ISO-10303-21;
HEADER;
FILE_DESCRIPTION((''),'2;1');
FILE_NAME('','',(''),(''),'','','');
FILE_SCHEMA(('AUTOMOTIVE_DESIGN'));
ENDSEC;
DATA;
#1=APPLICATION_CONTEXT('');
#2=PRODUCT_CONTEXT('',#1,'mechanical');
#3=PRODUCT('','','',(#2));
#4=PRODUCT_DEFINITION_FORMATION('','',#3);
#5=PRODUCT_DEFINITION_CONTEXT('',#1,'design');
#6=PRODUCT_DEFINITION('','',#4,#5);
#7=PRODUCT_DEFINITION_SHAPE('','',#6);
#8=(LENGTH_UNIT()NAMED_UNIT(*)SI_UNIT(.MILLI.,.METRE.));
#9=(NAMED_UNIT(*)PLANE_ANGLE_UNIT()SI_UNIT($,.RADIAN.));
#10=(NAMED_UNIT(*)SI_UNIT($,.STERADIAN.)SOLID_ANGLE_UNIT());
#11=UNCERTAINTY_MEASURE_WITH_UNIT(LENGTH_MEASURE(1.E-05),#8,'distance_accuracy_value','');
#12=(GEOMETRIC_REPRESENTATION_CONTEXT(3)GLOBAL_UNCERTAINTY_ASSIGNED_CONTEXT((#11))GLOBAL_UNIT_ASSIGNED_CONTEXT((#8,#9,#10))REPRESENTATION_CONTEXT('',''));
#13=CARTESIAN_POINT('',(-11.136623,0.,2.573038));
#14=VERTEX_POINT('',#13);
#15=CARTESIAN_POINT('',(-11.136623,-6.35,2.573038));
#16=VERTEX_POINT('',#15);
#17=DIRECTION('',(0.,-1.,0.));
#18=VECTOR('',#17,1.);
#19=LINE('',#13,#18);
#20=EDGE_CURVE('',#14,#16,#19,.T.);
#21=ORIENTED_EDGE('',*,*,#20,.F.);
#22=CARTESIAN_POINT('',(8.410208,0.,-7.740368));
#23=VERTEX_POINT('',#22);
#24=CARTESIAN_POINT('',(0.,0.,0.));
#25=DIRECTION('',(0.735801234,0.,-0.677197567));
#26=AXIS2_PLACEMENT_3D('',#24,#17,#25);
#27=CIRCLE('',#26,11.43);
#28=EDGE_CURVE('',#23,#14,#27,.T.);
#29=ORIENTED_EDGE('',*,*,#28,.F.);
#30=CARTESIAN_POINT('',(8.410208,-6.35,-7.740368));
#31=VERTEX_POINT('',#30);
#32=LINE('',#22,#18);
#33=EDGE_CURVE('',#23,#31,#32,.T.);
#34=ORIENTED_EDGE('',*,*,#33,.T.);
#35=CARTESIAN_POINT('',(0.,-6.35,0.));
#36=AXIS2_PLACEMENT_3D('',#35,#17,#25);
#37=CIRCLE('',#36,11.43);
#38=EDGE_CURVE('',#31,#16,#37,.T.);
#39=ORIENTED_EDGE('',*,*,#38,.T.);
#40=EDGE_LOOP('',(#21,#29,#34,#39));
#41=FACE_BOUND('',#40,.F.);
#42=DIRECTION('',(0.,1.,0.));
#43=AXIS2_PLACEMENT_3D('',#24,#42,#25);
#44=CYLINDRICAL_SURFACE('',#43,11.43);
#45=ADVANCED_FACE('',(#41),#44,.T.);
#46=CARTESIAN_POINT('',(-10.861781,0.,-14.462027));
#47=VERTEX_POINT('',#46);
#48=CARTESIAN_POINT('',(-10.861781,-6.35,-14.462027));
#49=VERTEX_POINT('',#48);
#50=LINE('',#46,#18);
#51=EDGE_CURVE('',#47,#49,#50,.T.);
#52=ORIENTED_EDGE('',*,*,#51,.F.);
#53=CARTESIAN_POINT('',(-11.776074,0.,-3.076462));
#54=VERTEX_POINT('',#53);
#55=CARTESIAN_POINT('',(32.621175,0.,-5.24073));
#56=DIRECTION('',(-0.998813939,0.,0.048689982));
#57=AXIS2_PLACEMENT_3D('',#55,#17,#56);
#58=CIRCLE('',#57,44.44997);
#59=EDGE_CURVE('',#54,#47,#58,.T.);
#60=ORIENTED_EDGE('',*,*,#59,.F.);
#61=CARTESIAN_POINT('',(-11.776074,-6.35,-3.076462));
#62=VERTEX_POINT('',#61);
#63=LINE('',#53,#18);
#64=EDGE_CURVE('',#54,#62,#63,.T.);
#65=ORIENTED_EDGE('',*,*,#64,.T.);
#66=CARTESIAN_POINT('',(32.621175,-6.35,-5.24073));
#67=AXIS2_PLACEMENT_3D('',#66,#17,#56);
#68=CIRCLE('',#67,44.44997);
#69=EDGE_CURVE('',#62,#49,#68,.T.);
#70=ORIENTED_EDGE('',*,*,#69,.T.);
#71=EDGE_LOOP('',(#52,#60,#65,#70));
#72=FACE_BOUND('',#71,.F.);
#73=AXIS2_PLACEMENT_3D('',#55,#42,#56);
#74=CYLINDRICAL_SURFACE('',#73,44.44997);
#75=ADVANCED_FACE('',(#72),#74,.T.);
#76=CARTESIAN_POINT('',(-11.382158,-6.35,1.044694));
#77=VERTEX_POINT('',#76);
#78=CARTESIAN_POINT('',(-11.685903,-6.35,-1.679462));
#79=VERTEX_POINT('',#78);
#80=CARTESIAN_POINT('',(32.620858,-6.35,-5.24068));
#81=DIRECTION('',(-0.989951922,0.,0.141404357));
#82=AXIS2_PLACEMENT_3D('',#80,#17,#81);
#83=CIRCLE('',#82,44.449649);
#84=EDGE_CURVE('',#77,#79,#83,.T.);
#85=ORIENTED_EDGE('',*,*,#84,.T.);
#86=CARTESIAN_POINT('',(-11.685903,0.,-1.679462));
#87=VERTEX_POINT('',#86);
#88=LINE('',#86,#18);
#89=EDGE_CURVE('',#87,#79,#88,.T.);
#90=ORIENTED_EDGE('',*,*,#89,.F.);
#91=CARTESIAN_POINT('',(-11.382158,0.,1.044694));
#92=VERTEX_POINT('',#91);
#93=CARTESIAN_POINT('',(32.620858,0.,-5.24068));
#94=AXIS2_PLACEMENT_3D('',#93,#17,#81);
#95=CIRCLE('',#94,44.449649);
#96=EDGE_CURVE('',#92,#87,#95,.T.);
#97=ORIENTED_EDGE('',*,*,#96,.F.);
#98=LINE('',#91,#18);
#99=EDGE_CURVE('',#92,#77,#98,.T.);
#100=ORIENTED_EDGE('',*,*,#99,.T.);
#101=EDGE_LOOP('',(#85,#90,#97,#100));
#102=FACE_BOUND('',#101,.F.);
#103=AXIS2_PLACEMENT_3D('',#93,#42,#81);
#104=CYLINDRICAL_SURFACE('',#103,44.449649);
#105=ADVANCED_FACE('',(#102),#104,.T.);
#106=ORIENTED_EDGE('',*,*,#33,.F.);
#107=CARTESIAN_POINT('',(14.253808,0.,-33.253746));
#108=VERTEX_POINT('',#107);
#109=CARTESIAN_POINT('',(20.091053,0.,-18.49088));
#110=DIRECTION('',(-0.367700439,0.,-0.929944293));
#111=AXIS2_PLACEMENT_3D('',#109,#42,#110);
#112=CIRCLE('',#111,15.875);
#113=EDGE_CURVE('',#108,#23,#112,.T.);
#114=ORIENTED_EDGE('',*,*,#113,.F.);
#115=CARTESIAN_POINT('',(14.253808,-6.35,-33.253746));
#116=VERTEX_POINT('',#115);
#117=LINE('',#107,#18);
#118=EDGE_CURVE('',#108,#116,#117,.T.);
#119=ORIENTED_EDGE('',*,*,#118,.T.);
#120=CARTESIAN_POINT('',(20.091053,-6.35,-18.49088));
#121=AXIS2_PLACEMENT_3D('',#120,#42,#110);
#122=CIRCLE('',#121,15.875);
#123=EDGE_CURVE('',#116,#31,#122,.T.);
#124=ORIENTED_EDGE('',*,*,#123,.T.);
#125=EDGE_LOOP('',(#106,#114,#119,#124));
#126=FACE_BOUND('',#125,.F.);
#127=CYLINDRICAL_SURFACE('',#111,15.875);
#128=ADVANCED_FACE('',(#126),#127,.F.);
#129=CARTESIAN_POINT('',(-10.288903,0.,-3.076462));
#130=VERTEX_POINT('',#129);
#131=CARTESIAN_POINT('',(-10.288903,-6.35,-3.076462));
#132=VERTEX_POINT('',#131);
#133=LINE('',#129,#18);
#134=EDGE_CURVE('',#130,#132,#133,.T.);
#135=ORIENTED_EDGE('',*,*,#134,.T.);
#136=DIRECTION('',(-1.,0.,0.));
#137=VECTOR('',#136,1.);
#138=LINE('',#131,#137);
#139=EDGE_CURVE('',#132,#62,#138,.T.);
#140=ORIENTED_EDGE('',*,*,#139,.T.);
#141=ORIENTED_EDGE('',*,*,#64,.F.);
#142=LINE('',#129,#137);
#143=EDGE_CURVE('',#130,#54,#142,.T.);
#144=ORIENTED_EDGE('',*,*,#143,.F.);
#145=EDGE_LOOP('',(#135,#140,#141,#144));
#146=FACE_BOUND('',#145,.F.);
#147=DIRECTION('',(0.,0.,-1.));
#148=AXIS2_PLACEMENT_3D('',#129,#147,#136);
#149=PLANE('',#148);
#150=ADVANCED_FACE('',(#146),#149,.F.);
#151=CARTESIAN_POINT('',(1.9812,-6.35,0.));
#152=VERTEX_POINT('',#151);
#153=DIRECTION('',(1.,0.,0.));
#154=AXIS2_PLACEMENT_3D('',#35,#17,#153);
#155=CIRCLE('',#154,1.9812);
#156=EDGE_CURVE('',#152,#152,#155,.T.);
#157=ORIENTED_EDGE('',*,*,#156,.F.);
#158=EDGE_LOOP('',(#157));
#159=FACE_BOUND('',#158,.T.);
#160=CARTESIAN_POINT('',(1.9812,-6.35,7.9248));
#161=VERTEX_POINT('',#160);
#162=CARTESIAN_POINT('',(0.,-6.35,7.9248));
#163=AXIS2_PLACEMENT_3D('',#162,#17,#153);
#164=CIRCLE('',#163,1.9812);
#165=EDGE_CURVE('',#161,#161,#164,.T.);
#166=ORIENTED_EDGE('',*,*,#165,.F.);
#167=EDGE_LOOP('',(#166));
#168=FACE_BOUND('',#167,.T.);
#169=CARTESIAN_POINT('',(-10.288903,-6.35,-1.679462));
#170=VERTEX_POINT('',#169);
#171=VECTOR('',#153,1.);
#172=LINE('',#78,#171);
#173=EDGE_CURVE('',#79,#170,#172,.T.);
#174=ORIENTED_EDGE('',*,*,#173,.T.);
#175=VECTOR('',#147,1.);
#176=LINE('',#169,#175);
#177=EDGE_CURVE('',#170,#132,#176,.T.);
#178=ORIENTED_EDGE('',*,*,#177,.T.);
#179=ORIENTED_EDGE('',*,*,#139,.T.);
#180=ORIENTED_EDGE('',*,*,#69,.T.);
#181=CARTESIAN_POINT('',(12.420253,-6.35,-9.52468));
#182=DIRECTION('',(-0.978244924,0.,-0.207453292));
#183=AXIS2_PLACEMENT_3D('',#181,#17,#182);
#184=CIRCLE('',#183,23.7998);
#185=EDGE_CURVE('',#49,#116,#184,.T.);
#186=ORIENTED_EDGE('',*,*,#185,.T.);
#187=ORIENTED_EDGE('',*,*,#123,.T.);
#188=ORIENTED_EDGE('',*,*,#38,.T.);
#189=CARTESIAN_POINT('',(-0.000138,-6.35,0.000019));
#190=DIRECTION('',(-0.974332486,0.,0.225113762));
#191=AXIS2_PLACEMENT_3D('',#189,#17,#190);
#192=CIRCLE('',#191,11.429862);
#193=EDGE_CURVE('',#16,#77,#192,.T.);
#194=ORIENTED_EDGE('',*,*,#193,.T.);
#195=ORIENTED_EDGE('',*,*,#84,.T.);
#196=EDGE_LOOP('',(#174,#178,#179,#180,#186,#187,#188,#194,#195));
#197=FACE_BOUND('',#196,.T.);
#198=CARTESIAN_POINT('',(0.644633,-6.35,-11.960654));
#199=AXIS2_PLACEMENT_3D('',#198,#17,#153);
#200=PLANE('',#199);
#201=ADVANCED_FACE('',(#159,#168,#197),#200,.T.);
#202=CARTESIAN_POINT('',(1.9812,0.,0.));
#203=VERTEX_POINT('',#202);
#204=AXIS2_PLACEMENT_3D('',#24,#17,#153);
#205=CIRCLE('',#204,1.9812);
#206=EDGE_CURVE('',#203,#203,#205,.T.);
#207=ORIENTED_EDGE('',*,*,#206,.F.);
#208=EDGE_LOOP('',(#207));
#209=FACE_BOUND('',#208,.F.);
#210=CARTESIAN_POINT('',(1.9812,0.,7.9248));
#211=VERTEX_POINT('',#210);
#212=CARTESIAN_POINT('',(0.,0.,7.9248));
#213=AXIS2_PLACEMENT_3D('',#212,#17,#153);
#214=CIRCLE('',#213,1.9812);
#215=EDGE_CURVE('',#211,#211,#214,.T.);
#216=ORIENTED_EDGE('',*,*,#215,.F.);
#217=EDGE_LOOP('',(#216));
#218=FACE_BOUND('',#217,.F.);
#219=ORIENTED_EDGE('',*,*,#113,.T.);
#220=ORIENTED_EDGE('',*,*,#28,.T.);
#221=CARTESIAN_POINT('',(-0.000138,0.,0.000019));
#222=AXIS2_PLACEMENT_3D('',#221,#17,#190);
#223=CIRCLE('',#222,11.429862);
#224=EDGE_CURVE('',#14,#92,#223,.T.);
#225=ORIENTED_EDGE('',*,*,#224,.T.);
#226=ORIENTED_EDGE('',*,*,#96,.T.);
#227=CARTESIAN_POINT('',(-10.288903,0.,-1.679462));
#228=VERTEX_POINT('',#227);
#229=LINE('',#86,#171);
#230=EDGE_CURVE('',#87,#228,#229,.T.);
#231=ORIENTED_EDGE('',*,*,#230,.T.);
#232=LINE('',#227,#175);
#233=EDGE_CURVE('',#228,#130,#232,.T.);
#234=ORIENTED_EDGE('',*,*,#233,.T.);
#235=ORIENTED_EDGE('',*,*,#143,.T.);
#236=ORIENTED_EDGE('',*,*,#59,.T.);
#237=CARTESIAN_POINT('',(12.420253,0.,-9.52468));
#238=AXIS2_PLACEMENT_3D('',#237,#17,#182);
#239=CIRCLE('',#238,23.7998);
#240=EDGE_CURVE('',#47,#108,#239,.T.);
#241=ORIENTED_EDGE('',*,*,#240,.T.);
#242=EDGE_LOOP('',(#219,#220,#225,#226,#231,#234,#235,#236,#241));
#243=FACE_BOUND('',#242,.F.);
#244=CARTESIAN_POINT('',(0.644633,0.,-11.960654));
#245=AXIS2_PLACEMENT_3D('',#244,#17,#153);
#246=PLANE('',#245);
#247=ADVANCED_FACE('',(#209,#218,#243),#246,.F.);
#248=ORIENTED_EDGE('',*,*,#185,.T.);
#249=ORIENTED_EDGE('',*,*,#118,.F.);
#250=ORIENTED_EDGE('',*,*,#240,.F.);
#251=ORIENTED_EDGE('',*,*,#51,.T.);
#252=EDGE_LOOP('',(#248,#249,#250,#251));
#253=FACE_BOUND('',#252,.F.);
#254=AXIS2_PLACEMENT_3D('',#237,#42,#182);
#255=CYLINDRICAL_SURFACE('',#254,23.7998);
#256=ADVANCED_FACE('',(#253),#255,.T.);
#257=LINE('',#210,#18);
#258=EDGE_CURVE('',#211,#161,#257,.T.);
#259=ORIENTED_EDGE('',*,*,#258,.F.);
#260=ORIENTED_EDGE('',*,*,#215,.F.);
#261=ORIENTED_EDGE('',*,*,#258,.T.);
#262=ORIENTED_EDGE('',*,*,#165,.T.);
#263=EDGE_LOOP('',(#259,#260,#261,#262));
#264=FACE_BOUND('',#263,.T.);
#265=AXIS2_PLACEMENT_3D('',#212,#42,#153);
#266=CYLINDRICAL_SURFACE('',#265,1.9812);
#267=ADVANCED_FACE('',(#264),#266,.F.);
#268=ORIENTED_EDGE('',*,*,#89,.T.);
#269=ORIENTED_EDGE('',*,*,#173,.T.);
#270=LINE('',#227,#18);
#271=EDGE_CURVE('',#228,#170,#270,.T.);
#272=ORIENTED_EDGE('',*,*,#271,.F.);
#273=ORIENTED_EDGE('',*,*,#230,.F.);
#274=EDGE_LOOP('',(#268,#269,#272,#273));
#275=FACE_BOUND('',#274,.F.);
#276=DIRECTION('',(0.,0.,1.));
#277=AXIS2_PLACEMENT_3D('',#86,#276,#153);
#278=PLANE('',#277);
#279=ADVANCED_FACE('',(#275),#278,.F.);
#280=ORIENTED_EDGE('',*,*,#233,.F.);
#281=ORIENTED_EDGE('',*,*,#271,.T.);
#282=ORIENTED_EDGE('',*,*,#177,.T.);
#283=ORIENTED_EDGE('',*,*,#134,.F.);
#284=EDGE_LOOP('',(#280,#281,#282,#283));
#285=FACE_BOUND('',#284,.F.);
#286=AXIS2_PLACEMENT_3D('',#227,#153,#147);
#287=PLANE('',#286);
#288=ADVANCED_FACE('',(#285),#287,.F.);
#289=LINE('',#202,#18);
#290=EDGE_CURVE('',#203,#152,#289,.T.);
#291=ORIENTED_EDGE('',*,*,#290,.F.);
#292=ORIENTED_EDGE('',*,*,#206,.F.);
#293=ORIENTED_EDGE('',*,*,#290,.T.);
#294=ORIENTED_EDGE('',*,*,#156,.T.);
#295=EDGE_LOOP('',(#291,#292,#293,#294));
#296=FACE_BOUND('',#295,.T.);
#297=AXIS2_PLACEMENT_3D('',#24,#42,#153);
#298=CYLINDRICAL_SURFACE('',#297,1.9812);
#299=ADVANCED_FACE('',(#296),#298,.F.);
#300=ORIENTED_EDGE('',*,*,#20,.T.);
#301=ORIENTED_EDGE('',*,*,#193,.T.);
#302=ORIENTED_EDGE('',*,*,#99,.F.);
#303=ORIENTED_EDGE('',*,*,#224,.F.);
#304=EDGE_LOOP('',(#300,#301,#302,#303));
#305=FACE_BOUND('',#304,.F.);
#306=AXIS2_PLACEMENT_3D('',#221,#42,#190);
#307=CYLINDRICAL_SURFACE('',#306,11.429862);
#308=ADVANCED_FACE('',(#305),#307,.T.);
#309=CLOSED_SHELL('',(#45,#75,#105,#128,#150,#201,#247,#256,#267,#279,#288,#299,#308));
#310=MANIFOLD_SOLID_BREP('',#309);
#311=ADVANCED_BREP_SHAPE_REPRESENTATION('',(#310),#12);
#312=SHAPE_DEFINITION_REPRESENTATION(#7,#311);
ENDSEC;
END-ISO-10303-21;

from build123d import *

# Parameters (mm, degrees)
F0_R     = 1.9812
F1_DEPTH = 6.35


with BuildPart() as f1:
    # F0 (on Front) → F1 (new body)
    with BuildSketch(Plane.XZ):
        with BuildLine():
            ThreePointArc((14.253808, -33.253746), (4.616752, -22.035123), (8.410208, -7.740368))
            ThreePointArc((8.410208, -7.740368), (5.333847, 10.109153), (-11.136623, 2.573038))
            ThreePointArc((-11.136623, 2.573038), (-11.266044, 1.809935), (-11.382158, 1.044694))
            ThreePointArc((-11.382158, 1.044694), (-11.555034, -0.315042), (-11.685903, -1.679462))
            Line((-11.685903, -1.679462), (-10.288903, -1.679462))
            Line((-10.288903, -1.679462), (-10.288903, -3.076462))
            Line((-10.288903, -3.076462), (-11.776074, -3.076462))
            ThreePointArc((-11.776074, -3.076462), (-11.686165, -8.798735), (-10.861781, -14.462027))
            ThreePointArc((-10.861781, -14.462027), (-1.837779, -28.580887), (14.253808, -33.253746))
        make_face()
        Circle(F0_R, mode=Mode.SUBTRACT)
        with Locations((0, 7.9248)):
            Circle(F0_R, mode=Mode.SUBTRACT)
        with BuildLine():
            ThreePointArc((-11.382158, 1.044694), (-11.266044, 1.809935), (-11.136623, 2.573038))
            ThreePointArc((-11.136623, 2.573038), (-11.285293, 1.813028), (-11.382158, 1.044694))
        make_face()
    extrude(amount=F1_DEPTH)


solid = f1.part
